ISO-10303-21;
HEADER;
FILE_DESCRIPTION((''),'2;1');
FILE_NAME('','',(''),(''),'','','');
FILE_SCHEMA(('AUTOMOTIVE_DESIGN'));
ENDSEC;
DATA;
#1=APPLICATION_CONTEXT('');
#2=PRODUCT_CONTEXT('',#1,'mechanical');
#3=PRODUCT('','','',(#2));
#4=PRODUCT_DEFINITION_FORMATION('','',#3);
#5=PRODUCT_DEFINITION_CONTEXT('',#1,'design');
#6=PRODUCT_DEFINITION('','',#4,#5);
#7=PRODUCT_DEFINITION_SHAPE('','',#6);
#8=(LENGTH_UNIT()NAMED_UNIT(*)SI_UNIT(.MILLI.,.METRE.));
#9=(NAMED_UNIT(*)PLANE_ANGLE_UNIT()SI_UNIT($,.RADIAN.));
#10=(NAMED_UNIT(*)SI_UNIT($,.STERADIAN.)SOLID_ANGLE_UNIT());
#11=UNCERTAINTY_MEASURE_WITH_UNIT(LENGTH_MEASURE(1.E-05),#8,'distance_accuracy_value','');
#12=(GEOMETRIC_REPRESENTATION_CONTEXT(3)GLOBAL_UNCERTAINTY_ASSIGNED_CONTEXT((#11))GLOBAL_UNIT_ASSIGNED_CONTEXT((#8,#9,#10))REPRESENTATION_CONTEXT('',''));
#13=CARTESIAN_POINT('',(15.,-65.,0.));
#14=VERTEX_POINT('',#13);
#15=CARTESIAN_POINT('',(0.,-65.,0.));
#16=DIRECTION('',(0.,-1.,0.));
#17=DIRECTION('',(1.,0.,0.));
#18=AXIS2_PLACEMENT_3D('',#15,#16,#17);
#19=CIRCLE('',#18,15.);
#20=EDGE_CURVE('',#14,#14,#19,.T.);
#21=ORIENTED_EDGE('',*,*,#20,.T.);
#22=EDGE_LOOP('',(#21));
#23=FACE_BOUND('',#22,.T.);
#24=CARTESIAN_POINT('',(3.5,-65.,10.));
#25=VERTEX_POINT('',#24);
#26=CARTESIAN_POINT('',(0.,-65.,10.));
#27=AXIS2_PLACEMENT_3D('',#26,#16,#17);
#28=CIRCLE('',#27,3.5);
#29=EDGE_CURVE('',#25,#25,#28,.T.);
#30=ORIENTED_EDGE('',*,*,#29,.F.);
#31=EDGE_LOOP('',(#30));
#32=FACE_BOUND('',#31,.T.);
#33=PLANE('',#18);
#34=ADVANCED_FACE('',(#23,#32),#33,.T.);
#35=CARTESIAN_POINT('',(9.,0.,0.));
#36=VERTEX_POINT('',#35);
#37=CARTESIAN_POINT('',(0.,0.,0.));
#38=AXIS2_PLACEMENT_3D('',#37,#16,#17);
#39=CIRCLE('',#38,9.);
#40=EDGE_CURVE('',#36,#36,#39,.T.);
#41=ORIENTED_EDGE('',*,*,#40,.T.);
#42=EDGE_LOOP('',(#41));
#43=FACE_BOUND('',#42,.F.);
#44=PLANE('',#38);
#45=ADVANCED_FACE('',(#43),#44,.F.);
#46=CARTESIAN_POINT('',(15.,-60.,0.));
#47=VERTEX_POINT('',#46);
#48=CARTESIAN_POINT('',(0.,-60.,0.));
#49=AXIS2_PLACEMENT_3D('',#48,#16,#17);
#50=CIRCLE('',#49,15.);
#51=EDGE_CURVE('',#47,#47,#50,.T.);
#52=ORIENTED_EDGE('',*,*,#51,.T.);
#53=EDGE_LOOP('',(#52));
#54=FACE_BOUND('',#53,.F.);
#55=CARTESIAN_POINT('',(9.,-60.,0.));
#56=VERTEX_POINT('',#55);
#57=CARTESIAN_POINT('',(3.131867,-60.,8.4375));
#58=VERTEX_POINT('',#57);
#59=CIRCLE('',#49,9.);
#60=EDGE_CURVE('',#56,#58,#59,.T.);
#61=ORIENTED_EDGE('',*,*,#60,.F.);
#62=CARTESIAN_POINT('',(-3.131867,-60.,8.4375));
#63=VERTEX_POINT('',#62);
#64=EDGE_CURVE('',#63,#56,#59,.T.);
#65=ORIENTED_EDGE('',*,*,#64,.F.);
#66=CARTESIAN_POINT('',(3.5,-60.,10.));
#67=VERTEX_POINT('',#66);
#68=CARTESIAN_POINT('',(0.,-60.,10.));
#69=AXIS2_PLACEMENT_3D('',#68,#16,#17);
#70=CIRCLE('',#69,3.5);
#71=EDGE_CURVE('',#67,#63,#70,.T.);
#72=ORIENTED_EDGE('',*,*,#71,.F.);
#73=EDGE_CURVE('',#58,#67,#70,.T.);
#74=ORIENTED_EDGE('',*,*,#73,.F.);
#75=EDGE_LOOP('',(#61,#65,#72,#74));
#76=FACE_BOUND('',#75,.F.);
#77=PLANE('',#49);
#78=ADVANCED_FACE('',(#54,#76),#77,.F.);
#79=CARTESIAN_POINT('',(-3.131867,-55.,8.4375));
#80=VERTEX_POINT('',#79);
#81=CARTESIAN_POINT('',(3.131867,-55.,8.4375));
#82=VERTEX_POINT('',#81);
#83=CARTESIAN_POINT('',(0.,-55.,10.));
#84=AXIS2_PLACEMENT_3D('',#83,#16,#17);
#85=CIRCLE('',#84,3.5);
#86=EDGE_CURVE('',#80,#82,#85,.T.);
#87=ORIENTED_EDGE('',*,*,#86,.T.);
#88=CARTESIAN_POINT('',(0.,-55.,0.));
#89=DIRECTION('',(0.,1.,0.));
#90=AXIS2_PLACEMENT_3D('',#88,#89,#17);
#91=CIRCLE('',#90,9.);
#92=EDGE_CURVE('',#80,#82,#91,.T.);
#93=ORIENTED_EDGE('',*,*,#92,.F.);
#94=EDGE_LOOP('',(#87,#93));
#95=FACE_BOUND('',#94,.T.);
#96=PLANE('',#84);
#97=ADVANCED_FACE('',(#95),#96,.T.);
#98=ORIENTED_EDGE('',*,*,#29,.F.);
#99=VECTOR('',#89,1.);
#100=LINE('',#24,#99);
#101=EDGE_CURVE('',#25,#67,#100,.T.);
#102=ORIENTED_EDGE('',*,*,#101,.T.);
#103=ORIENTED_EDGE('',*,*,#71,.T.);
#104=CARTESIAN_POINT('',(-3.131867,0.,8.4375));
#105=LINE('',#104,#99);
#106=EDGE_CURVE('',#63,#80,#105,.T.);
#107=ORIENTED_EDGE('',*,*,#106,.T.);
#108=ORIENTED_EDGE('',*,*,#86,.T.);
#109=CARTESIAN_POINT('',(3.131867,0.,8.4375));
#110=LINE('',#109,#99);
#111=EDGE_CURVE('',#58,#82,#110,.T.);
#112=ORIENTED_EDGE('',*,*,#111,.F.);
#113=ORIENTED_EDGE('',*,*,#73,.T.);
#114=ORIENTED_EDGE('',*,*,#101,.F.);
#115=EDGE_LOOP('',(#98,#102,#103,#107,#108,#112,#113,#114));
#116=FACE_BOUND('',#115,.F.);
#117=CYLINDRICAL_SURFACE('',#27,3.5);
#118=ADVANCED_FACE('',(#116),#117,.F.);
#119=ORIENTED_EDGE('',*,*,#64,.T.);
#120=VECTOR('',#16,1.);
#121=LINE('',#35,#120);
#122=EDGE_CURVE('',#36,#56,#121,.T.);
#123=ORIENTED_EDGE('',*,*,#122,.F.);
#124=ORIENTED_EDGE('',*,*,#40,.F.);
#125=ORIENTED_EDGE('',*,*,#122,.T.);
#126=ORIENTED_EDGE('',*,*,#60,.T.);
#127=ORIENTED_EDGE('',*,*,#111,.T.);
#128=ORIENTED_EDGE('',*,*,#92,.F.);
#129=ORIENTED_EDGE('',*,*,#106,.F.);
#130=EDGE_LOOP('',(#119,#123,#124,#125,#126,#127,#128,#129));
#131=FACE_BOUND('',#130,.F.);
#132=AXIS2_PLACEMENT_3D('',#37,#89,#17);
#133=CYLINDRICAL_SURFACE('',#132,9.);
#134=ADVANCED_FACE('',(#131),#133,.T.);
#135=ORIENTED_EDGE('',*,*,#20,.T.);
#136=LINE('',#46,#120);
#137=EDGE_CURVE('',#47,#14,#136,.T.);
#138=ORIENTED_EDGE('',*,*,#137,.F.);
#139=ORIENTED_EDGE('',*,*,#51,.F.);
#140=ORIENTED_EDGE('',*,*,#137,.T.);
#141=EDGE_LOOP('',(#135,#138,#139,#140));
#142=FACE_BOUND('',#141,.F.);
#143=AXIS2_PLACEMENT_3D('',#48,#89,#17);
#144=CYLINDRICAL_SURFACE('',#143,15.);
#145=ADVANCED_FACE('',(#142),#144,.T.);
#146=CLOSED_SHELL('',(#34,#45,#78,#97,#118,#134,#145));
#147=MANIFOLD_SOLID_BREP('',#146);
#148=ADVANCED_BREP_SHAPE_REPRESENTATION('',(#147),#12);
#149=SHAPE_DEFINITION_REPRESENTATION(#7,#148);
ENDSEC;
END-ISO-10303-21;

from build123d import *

# Parameters (mm, degrees)
F0_R     = 9
F1_DEPTH = 60
F2_R     = 15
F2_R_2   = 9
F3_DEPTH = 5
F4_R     = 3.5
F5_DEPTH = 10


with BuildPart() as f1:
    # F0 (on Front) → F1 (new body)
    with BuildSketch(Plane.XZ):
        Circle(F0_R)
    extrude(amount=F1_DEPTH)

    # F2 (on face) → F3 (join)
    with BuildSketch(Plane.XZ.offset(60)):
        Circle(F2_R)
        Circle(F2_R_2, mode=Mode.SUBTRACT)
        Circle(F2_R_2)
    extrude(amount=F3_DEPTH)

    # F4 (on face) → F5 (cut)
    with BuildSketch(Plane.XZ.offset(65)):
        with Locations((0, 10)):
            Circle(F4_R)
    extrude(amount=-F5_DEPTH, mode=Mode.SUBTRACT)


solid = f1.part
